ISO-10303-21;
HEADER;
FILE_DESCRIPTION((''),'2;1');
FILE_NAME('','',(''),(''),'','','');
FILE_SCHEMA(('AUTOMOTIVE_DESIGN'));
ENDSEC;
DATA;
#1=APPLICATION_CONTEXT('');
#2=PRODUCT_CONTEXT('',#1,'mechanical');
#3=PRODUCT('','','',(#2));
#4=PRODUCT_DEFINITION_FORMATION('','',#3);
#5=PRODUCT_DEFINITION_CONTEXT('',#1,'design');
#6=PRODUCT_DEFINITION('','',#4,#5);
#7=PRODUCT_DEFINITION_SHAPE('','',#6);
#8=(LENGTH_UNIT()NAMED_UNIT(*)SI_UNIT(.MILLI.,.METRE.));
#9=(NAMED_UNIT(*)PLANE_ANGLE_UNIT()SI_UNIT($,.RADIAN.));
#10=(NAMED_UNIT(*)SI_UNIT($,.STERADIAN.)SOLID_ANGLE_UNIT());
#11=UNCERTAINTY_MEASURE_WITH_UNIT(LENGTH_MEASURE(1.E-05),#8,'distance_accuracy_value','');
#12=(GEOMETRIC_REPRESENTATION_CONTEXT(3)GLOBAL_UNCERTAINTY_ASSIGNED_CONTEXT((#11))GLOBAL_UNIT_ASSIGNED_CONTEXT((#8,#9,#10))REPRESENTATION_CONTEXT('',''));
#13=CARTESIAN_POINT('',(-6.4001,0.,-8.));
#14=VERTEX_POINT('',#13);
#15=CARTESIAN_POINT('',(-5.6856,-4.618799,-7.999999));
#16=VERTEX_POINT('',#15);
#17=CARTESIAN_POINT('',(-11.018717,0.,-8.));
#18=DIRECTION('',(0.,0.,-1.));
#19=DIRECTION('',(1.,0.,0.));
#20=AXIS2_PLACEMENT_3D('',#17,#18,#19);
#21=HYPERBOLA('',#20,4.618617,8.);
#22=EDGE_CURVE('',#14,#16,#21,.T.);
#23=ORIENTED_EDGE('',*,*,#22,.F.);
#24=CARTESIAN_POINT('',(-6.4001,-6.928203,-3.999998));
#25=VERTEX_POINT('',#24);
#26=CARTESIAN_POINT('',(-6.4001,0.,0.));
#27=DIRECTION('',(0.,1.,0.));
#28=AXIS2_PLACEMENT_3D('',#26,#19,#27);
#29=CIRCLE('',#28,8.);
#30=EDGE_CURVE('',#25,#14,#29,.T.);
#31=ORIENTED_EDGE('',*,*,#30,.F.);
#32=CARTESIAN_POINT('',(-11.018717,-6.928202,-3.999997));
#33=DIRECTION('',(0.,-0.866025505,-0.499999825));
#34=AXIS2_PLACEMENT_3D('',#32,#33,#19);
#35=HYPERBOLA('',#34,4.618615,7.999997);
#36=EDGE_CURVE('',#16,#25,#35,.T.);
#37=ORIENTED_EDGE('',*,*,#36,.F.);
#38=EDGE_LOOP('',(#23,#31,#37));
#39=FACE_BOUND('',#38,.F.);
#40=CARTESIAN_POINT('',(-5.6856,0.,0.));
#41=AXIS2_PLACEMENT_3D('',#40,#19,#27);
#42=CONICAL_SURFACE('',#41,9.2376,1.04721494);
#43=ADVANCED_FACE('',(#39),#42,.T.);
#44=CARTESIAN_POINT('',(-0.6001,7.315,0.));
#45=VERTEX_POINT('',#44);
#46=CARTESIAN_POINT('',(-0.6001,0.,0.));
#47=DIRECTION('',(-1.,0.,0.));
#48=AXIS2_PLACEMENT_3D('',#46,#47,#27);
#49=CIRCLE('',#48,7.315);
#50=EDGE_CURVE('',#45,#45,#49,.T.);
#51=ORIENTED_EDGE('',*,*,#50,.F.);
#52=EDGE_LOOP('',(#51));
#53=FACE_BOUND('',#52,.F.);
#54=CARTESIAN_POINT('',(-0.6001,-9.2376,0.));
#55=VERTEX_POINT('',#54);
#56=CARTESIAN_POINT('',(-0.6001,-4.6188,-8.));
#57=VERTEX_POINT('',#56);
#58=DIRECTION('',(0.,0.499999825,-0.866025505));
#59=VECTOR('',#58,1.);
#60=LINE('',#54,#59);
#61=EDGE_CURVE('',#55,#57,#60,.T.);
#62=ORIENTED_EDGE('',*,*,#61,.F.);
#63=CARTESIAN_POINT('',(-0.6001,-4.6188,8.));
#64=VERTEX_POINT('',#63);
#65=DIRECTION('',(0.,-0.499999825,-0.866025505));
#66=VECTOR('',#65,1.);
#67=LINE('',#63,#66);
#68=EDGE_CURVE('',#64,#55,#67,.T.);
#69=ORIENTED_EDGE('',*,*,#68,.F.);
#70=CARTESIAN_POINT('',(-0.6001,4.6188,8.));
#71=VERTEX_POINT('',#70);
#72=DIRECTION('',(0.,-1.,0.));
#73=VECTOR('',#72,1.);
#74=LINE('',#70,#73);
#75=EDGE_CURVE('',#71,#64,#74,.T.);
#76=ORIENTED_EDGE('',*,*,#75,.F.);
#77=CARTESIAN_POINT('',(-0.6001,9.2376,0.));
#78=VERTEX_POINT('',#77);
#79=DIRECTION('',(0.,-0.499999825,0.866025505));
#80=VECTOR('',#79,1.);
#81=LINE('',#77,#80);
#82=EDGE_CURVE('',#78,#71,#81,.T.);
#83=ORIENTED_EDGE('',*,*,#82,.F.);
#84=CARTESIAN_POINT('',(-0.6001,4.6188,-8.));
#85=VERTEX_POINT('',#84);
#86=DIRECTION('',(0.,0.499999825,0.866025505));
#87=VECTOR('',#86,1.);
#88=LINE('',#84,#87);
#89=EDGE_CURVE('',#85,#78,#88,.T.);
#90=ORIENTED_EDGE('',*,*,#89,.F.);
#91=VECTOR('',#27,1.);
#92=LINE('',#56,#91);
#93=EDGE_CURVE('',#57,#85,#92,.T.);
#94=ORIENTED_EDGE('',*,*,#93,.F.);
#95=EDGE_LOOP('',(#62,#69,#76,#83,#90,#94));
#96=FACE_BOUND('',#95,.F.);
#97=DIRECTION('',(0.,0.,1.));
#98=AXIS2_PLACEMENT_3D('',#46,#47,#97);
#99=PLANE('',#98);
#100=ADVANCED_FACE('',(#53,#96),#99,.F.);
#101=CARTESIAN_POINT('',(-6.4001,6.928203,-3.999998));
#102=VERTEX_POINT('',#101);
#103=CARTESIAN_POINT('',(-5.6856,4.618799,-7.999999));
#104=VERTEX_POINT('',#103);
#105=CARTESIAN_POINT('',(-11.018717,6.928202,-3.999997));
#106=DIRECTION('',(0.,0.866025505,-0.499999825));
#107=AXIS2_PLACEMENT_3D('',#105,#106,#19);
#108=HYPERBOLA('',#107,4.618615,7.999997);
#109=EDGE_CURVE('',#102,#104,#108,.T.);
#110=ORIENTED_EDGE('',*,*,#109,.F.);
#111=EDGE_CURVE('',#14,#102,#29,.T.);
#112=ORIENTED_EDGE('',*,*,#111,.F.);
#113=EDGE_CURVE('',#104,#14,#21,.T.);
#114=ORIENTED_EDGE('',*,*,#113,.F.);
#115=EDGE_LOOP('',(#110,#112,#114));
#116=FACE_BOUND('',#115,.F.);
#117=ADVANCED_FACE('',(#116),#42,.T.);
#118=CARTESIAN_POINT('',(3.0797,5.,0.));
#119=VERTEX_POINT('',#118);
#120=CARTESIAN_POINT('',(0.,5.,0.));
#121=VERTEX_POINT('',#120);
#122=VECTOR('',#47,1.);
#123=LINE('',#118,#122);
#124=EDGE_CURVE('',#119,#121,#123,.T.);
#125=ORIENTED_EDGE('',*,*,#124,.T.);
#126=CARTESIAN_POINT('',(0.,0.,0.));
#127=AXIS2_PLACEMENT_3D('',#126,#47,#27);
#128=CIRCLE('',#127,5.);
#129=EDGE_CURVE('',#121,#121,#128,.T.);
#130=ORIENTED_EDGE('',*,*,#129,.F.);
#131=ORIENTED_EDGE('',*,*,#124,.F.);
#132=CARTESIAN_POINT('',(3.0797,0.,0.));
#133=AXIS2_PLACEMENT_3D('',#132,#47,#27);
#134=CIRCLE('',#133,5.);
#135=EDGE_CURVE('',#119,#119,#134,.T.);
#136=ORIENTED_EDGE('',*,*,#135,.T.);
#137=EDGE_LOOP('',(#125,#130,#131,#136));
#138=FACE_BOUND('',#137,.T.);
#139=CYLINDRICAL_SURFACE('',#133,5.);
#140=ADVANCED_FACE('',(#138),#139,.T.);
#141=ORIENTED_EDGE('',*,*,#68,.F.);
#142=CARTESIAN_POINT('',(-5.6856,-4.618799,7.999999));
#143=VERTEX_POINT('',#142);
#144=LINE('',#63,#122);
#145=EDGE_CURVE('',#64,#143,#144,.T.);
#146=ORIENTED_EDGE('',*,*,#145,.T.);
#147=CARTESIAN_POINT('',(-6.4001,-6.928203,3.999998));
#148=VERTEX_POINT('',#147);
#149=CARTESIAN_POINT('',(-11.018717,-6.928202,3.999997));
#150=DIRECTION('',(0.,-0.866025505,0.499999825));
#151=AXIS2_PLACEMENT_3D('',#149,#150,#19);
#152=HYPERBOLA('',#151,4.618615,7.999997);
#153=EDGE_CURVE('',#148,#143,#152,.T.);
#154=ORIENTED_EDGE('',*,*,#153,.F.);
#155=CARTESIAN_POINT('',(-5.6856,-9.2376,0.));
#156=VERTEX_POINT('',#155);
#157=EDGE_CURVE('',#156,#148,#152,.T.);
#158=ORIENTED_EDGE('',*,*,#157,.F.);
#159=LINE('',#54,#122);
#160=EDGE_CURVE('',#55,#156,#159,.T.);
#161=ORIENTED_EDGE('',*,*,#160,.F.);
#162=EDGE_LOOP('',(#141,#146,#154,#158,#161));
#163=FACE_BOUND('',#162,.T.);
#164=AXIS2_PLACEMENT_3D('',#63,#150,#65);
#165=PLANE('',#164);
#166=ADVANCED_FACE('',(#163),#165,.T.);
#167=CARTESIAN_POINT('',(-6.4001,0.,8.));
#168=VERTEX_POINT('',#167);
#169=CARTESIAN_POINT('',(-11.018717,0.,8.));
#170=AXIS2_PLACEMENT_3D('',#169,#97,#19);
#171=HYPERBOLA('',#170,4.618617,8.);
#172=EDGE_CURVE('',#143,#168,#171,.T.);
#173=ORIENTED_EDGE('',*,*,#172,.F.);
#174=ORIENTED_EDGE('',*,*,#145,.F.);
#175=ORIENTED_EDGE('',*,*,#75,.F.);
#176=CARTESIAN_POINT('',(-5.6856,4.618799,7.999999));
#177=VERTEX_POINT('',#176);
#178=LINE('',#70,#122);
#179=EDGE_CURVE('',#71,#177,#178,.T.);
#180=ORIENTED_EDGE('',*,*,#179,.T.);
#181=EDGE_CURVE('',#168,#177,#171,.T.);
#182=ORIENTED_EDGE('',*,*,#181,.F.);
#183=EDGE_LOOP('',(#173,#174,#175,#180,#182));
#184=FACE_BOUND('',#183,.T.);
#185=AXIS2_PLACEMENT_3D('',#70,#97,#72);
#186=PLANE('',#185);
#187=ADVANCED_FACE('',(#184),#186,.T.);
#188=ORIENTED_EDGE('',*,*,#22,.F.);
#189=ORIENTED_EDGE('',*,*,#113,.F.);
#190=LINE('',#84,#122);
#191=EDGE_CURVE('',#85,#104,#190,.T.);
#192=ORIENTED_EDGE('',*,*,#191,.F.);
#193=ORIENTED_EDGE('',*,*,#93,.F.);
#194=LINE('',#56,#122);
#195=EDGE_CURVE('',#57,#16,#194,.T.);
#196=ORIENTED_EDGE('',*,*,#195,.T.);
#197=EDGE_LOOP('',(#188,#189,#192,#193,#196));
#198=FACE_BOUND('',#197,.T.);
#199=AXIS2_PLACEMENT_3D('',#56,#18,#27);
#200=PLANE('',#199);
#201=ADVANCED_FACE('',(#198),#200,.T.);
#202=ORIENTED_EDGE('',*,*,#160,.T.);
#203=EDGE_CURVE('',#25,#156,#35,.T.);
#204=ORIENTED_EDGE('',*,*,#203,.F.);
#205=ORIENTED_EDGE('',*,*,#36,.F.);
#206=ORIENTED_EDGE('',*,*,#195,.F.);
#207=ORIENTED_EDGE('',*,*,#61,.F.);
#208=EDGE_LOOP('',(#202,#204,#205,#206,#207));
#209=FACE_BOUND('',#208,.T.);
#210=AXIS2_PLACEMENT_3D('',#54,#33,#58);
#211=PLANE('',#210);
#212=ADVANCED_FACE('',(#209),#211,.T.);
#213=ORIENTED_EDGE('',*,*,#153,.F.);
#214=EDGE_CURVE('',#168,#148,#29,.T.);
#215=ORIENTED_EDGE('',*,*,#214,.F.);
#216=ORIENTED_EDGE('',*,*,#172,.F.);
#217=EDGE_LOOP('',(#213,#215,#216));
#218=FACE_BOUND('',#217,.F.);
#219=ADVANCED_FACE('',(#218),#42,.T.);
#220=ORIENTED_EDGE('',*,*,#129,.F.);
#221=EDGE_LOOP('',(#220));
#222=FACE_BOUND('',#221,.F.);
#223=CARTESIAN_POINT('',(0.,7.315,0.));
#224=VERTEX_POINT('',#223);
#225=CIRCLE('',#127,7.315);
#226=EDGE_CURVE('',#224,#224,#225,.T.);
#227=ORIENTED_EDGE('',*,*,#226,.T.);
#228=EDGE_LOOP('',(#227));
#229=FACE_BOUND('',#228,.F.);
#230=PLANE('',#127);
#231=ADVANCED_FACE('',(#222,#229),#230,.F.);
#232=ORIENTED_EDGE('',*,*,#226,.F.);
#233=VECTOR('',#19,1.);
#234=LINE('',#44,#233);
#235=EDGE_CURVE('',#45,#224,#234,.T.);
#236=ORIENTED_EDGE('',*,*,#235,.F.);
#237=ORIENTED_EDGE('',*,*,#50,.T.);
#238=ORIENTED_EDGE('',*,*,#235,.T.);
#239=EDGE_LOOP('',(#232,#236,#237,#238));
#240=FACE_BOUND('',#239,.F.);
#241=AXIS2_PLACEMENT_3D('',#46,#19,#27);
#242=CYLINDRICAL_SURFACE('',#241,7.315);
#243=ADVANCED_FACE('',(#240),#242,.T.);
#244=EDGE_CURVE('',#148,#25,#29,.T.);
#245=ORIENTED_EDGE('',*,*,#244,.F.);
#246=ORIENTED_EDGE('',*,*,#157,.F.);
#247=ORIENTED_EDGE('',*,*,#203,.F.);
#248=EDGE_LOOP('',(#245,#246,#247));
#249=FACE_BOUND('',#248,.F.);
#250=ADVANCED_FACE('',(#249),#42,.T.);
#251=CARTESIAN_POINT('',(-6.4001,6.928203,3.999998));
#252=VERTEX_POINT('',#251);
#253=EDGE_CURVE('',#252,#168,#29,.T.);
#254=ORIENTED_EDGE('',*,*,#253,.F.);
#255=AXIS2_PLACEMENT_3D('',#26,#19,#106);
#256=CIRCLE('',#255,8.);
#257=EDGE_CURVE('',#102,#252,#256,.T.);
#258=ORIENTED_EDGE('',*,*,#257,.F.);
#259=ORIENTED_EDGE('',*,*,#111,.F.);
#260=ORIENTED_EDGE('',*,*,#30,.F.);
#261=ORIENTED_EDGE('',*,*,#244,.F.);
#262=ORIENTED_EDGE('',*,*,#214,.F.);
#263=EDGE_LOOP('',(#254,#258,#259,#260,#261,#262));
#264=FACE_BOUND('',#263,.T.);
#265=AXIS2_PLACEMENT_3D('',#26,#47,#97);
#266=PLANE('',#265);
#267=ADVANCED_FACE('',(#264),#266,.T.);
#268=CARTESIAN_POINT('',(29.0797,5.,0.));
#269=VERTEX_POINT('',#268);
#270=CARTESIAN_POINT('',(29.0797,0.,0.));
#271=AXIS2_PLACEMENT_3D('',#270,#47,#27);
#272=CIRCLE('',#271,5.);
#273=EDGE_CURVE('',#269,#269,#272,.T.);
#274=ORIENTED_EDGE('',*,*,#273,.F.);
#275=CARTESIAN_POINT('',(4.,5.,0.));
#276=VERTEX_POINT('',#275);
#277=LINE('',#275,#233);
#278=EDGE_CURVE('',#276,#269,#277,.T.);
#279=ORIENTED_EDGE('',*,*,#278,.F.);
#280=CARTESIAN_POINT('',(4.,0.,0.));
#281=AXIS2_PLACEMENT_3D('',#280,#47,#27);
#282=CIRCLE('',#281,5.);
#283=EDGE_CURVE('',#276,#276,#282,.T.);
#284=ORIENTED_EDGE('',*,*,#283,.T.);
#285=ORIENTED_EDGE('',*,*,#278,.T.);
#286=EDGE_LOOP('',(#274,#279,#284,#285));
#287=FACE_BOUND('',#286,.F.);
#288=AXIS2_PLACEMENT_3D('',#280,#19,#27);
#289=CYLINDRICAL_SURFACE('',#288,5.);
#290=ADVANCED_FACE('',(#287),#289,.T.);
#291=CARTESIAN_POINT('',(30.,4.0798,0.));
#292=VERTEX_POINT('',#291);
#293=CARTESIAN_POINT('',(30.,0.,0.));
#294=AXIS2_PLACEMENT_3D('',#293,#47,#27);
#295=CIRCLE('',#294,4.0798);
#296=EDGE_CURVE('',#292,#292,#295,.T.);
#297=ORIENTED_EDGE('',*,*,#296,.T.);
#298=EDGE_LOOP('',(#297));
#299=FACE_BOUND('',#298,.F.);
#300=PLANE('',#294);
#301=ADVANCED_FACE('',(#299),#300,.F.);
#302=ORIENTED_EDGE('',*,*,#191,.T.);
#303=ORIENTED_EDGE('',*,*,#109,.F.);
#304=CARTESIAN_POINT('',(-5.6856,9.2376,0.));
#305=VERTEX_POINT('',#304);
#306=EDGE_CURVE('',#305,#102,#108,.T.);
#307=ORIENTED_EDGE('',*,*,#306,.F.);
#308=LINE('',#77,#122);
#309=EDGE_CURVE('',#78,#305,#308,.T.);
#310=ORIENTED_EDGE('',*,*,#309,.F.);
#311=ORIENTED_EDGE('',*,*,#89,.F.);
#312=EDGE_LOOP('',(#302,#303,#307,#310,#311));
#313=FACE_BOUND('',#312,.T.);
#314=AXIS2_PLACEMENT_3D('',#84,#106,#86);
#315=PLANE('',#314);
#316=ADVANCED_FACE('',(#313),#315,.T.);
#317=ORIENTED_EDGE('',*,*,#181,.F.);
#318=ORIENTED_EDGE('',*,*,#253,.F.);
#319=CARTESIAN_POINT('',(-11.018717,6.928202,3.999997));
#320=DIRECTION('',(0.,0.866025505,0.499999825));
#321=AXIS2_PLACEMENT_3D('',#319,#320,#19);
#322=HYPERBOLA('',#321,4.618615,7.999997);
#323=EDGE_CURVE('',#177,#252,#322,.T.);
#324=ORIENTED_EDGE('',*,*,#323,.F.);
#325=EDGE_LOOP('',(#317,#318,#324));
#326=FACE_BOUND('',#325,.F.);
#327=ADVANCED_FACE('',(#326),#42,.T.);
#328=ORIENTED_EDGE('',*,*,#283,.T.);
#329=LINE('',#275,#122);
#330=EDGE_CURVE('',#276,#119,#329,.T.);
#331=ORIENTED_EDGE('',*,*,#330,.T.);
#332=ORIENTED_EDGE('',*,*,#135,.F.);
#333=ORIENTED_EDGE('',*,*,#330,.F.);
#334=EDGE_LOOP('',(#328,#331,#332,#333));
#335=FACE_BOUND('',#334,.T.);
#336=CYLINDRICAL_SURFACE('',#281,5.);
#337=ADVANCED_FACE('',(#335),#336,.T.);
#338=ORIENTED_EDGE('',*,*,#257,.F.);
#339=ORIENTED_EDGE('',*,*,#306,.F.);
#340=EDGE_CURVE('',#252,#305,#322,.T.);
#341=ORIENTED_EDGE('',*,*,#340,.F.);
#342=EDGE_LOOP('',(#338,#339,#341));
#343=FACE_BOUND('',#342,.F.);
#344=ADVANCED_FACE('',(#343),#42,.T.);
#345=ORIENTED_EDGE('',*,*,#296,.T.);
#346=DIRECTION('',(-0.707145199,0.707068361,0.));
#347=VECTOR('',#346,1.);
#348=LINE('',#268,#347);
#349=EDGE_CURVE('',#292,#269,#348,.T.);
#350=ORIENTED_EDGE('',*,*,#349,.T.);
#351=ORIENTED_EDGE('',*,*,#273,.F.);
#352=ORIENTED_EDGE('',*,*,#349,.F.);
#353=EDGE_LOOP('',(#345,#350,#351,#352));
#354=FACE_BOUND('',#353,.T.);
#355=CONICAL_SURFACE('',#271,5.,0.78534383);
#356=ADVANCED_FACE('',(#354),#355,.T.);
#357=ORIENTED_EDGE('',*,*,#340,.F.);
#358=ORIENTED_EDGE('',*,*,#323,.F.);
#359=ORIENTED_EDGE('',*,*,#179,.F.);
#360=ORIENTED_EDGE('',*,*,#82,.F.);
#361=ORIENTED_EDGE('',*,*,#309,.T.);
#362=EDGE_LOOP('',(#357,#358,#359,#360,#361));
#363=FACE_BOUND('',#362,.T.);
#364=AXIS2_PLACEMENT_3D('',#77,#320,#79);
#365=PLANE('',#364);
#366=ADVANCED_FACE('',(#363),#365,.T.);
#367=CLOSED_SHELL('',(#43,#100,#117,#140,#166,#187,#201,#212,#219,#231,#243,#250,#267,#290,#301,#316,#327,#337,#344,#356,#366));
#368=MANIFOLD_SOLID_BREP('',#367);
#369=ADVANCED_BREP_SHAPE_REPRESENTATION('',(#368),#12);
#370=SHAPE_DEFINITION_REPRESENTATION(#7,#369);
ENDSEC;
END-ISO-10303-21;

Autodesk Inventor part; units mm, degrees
ref_plane "YZ Plane" through (0, 0, 0) normal (1, 0, 0) x (0, 1, 0)
ref_plane "XZ Plane" through (0, 0, 0) normal (0, 1, 0) x (-1, 0, 0)
sketch "Sketch1" plane through (0, 0, 0) normal (0, 0, 1) x (1, 0, 0)
  line L0 (0, 7.315) -> (0, 5)
  line L1 (4, 5) -> (30, 5)
  line L2 (30, 5) -> (30, 0)
  line L3 (30, 0) -> (-0.6001, 0)
  line L4 (-6.7201, 0) -> (36.12, 0) projected
  line L5 (-0.6001, 0) -> (-0.6001, 7.315)
  line L6 (-0.6001, 7.315) -> (0, 7.315)
  line L7 (4, 5) -> (3.0797, 5)
  line L8 (3.0797, 5) -> (0, 5)
  line L9 (0, -1.463) -> (0, 8.778) projected
  dimension "d0" = 30
  dimension "d1" = 26
  dimension "d2" = 10
  dimension "d9" = 0.6001
  dimension "d10" = 14.63
  dimension "d13" = 0.9203
  dimension "d14" = 10
revolve "Body" add sketch "Sketch1" angle 360 about axis through (30, 0, 0) along (-1, 0, 0)
sketch "Sketch2" plane through (-0.6001, 0, 0) normal (-1, 0, 0) x (0, 0, 1)
  line L0 (0, 9.2376) -> (8, 4.6188)
  line L1 (8, 4.6188) -> (8, -4.6188)
  line L2 (8, -4.6188) -> (0, -9.2376)
  line L3 (0, -9.2376) -> (-8, -4.6188)
  line L4 (-8, -4.6188) -> (-8, 4.6188)
  line L5 (-8, 4.6188) -> (0, 9.2376)
  point P0 (0, 0)
  point P1 (0, 0)
  dimension "d11" = 16
extrude "Head" add sketch "Sketch2" along normal blind 5.8
sketch "Sketch4" plane through (0, 0, 0) normal (0, 0, 1) x (1, 0, 0)
  line L0 (-6.4001, 8) -> (-6.4001, 9.2376)
  line L1 (-6.4001, 9.2376) -> (-5.6856, 9.2376)
  line L2 (-5.6856, 9.2376) -> (-6.4001, 8)
  line L3 (-7.5601, 0) -> (0.5599, 0) projected
  line L4 (-0.6001, 9.2376) -> (-6.4001, 9.2376) projected
  line L5 (-6.4001, 4.6188) -> (-6.4001, 9.2376) projected
  dimension "d5" = 30
  dimension "d19" = 16
revolve "Chamfer1" cut sketch "Sketch4" angle 360 about axis through (-10, 0, 0) along (1, 0, 0)
thread "Thread" size "M10x1.5" class "6g" standard "ISO Metric profile" length 10
chamfer "Chamfer2" distance 0.9202 distance2 0.9203 1 edges at (30, -5, 0) measured on face at (30, -0.2009, 0.1054)
ref_plane "Work Plane1" through (1.525, 0, 0) normal (0, 0, 1) x (1, 0, 0)
equation "\"d11\" = SW"
equation "\"d3\" = KOH - SD"
equation "\"d15\" = GD"
equation "\"d6\" = -0.5 * SPD + 0.5 * GD"
equation "\"d1\" = GEL"
equation "\"d2\" = GD"
equation "\"d10\" = SD2"
equation "\"d14\" = BDM"
equation "\"d5\" = ANG1"
equation "\"d19\" = SW0"
equation "\"NLG\" = 45"
equation "\"GD\" = NND"
equation "\"BDM\" = NND"
equation "\"KOH\" = 6.4"
equation "\"GEL\" = 26"
equation "\"SW\" = 16"
equation "\"SW0\" = SW"
equation "\"SPD\" = NND - 1.2269 * PTC"
equation "\"SD2\" = 14.63"
equation "\"SD\" = 0.6"
equation "\"ANG1\" = 30deg"
equation "\"GAL\" = 0.61345 * PTC"
equation "\"GUL\" = 0.61345 * PTC"
equation "\"RR\" = 0.4"
equation "\"GD1\" = THREADDIA - 1.2269 * PTC"
equation "\"SDH\" = SD2"
equation "\"TOA\" = 30deg"
equation "\"PTC\" = 1.5"
equation "\"E0\" = 1.155 * SW"
equation "\"NND\" = 10"
equation "\"THREADDIA\" = 10"
properties part number "ISO 4014 - M10 x 45" material "Stainless Steel, 440C"
